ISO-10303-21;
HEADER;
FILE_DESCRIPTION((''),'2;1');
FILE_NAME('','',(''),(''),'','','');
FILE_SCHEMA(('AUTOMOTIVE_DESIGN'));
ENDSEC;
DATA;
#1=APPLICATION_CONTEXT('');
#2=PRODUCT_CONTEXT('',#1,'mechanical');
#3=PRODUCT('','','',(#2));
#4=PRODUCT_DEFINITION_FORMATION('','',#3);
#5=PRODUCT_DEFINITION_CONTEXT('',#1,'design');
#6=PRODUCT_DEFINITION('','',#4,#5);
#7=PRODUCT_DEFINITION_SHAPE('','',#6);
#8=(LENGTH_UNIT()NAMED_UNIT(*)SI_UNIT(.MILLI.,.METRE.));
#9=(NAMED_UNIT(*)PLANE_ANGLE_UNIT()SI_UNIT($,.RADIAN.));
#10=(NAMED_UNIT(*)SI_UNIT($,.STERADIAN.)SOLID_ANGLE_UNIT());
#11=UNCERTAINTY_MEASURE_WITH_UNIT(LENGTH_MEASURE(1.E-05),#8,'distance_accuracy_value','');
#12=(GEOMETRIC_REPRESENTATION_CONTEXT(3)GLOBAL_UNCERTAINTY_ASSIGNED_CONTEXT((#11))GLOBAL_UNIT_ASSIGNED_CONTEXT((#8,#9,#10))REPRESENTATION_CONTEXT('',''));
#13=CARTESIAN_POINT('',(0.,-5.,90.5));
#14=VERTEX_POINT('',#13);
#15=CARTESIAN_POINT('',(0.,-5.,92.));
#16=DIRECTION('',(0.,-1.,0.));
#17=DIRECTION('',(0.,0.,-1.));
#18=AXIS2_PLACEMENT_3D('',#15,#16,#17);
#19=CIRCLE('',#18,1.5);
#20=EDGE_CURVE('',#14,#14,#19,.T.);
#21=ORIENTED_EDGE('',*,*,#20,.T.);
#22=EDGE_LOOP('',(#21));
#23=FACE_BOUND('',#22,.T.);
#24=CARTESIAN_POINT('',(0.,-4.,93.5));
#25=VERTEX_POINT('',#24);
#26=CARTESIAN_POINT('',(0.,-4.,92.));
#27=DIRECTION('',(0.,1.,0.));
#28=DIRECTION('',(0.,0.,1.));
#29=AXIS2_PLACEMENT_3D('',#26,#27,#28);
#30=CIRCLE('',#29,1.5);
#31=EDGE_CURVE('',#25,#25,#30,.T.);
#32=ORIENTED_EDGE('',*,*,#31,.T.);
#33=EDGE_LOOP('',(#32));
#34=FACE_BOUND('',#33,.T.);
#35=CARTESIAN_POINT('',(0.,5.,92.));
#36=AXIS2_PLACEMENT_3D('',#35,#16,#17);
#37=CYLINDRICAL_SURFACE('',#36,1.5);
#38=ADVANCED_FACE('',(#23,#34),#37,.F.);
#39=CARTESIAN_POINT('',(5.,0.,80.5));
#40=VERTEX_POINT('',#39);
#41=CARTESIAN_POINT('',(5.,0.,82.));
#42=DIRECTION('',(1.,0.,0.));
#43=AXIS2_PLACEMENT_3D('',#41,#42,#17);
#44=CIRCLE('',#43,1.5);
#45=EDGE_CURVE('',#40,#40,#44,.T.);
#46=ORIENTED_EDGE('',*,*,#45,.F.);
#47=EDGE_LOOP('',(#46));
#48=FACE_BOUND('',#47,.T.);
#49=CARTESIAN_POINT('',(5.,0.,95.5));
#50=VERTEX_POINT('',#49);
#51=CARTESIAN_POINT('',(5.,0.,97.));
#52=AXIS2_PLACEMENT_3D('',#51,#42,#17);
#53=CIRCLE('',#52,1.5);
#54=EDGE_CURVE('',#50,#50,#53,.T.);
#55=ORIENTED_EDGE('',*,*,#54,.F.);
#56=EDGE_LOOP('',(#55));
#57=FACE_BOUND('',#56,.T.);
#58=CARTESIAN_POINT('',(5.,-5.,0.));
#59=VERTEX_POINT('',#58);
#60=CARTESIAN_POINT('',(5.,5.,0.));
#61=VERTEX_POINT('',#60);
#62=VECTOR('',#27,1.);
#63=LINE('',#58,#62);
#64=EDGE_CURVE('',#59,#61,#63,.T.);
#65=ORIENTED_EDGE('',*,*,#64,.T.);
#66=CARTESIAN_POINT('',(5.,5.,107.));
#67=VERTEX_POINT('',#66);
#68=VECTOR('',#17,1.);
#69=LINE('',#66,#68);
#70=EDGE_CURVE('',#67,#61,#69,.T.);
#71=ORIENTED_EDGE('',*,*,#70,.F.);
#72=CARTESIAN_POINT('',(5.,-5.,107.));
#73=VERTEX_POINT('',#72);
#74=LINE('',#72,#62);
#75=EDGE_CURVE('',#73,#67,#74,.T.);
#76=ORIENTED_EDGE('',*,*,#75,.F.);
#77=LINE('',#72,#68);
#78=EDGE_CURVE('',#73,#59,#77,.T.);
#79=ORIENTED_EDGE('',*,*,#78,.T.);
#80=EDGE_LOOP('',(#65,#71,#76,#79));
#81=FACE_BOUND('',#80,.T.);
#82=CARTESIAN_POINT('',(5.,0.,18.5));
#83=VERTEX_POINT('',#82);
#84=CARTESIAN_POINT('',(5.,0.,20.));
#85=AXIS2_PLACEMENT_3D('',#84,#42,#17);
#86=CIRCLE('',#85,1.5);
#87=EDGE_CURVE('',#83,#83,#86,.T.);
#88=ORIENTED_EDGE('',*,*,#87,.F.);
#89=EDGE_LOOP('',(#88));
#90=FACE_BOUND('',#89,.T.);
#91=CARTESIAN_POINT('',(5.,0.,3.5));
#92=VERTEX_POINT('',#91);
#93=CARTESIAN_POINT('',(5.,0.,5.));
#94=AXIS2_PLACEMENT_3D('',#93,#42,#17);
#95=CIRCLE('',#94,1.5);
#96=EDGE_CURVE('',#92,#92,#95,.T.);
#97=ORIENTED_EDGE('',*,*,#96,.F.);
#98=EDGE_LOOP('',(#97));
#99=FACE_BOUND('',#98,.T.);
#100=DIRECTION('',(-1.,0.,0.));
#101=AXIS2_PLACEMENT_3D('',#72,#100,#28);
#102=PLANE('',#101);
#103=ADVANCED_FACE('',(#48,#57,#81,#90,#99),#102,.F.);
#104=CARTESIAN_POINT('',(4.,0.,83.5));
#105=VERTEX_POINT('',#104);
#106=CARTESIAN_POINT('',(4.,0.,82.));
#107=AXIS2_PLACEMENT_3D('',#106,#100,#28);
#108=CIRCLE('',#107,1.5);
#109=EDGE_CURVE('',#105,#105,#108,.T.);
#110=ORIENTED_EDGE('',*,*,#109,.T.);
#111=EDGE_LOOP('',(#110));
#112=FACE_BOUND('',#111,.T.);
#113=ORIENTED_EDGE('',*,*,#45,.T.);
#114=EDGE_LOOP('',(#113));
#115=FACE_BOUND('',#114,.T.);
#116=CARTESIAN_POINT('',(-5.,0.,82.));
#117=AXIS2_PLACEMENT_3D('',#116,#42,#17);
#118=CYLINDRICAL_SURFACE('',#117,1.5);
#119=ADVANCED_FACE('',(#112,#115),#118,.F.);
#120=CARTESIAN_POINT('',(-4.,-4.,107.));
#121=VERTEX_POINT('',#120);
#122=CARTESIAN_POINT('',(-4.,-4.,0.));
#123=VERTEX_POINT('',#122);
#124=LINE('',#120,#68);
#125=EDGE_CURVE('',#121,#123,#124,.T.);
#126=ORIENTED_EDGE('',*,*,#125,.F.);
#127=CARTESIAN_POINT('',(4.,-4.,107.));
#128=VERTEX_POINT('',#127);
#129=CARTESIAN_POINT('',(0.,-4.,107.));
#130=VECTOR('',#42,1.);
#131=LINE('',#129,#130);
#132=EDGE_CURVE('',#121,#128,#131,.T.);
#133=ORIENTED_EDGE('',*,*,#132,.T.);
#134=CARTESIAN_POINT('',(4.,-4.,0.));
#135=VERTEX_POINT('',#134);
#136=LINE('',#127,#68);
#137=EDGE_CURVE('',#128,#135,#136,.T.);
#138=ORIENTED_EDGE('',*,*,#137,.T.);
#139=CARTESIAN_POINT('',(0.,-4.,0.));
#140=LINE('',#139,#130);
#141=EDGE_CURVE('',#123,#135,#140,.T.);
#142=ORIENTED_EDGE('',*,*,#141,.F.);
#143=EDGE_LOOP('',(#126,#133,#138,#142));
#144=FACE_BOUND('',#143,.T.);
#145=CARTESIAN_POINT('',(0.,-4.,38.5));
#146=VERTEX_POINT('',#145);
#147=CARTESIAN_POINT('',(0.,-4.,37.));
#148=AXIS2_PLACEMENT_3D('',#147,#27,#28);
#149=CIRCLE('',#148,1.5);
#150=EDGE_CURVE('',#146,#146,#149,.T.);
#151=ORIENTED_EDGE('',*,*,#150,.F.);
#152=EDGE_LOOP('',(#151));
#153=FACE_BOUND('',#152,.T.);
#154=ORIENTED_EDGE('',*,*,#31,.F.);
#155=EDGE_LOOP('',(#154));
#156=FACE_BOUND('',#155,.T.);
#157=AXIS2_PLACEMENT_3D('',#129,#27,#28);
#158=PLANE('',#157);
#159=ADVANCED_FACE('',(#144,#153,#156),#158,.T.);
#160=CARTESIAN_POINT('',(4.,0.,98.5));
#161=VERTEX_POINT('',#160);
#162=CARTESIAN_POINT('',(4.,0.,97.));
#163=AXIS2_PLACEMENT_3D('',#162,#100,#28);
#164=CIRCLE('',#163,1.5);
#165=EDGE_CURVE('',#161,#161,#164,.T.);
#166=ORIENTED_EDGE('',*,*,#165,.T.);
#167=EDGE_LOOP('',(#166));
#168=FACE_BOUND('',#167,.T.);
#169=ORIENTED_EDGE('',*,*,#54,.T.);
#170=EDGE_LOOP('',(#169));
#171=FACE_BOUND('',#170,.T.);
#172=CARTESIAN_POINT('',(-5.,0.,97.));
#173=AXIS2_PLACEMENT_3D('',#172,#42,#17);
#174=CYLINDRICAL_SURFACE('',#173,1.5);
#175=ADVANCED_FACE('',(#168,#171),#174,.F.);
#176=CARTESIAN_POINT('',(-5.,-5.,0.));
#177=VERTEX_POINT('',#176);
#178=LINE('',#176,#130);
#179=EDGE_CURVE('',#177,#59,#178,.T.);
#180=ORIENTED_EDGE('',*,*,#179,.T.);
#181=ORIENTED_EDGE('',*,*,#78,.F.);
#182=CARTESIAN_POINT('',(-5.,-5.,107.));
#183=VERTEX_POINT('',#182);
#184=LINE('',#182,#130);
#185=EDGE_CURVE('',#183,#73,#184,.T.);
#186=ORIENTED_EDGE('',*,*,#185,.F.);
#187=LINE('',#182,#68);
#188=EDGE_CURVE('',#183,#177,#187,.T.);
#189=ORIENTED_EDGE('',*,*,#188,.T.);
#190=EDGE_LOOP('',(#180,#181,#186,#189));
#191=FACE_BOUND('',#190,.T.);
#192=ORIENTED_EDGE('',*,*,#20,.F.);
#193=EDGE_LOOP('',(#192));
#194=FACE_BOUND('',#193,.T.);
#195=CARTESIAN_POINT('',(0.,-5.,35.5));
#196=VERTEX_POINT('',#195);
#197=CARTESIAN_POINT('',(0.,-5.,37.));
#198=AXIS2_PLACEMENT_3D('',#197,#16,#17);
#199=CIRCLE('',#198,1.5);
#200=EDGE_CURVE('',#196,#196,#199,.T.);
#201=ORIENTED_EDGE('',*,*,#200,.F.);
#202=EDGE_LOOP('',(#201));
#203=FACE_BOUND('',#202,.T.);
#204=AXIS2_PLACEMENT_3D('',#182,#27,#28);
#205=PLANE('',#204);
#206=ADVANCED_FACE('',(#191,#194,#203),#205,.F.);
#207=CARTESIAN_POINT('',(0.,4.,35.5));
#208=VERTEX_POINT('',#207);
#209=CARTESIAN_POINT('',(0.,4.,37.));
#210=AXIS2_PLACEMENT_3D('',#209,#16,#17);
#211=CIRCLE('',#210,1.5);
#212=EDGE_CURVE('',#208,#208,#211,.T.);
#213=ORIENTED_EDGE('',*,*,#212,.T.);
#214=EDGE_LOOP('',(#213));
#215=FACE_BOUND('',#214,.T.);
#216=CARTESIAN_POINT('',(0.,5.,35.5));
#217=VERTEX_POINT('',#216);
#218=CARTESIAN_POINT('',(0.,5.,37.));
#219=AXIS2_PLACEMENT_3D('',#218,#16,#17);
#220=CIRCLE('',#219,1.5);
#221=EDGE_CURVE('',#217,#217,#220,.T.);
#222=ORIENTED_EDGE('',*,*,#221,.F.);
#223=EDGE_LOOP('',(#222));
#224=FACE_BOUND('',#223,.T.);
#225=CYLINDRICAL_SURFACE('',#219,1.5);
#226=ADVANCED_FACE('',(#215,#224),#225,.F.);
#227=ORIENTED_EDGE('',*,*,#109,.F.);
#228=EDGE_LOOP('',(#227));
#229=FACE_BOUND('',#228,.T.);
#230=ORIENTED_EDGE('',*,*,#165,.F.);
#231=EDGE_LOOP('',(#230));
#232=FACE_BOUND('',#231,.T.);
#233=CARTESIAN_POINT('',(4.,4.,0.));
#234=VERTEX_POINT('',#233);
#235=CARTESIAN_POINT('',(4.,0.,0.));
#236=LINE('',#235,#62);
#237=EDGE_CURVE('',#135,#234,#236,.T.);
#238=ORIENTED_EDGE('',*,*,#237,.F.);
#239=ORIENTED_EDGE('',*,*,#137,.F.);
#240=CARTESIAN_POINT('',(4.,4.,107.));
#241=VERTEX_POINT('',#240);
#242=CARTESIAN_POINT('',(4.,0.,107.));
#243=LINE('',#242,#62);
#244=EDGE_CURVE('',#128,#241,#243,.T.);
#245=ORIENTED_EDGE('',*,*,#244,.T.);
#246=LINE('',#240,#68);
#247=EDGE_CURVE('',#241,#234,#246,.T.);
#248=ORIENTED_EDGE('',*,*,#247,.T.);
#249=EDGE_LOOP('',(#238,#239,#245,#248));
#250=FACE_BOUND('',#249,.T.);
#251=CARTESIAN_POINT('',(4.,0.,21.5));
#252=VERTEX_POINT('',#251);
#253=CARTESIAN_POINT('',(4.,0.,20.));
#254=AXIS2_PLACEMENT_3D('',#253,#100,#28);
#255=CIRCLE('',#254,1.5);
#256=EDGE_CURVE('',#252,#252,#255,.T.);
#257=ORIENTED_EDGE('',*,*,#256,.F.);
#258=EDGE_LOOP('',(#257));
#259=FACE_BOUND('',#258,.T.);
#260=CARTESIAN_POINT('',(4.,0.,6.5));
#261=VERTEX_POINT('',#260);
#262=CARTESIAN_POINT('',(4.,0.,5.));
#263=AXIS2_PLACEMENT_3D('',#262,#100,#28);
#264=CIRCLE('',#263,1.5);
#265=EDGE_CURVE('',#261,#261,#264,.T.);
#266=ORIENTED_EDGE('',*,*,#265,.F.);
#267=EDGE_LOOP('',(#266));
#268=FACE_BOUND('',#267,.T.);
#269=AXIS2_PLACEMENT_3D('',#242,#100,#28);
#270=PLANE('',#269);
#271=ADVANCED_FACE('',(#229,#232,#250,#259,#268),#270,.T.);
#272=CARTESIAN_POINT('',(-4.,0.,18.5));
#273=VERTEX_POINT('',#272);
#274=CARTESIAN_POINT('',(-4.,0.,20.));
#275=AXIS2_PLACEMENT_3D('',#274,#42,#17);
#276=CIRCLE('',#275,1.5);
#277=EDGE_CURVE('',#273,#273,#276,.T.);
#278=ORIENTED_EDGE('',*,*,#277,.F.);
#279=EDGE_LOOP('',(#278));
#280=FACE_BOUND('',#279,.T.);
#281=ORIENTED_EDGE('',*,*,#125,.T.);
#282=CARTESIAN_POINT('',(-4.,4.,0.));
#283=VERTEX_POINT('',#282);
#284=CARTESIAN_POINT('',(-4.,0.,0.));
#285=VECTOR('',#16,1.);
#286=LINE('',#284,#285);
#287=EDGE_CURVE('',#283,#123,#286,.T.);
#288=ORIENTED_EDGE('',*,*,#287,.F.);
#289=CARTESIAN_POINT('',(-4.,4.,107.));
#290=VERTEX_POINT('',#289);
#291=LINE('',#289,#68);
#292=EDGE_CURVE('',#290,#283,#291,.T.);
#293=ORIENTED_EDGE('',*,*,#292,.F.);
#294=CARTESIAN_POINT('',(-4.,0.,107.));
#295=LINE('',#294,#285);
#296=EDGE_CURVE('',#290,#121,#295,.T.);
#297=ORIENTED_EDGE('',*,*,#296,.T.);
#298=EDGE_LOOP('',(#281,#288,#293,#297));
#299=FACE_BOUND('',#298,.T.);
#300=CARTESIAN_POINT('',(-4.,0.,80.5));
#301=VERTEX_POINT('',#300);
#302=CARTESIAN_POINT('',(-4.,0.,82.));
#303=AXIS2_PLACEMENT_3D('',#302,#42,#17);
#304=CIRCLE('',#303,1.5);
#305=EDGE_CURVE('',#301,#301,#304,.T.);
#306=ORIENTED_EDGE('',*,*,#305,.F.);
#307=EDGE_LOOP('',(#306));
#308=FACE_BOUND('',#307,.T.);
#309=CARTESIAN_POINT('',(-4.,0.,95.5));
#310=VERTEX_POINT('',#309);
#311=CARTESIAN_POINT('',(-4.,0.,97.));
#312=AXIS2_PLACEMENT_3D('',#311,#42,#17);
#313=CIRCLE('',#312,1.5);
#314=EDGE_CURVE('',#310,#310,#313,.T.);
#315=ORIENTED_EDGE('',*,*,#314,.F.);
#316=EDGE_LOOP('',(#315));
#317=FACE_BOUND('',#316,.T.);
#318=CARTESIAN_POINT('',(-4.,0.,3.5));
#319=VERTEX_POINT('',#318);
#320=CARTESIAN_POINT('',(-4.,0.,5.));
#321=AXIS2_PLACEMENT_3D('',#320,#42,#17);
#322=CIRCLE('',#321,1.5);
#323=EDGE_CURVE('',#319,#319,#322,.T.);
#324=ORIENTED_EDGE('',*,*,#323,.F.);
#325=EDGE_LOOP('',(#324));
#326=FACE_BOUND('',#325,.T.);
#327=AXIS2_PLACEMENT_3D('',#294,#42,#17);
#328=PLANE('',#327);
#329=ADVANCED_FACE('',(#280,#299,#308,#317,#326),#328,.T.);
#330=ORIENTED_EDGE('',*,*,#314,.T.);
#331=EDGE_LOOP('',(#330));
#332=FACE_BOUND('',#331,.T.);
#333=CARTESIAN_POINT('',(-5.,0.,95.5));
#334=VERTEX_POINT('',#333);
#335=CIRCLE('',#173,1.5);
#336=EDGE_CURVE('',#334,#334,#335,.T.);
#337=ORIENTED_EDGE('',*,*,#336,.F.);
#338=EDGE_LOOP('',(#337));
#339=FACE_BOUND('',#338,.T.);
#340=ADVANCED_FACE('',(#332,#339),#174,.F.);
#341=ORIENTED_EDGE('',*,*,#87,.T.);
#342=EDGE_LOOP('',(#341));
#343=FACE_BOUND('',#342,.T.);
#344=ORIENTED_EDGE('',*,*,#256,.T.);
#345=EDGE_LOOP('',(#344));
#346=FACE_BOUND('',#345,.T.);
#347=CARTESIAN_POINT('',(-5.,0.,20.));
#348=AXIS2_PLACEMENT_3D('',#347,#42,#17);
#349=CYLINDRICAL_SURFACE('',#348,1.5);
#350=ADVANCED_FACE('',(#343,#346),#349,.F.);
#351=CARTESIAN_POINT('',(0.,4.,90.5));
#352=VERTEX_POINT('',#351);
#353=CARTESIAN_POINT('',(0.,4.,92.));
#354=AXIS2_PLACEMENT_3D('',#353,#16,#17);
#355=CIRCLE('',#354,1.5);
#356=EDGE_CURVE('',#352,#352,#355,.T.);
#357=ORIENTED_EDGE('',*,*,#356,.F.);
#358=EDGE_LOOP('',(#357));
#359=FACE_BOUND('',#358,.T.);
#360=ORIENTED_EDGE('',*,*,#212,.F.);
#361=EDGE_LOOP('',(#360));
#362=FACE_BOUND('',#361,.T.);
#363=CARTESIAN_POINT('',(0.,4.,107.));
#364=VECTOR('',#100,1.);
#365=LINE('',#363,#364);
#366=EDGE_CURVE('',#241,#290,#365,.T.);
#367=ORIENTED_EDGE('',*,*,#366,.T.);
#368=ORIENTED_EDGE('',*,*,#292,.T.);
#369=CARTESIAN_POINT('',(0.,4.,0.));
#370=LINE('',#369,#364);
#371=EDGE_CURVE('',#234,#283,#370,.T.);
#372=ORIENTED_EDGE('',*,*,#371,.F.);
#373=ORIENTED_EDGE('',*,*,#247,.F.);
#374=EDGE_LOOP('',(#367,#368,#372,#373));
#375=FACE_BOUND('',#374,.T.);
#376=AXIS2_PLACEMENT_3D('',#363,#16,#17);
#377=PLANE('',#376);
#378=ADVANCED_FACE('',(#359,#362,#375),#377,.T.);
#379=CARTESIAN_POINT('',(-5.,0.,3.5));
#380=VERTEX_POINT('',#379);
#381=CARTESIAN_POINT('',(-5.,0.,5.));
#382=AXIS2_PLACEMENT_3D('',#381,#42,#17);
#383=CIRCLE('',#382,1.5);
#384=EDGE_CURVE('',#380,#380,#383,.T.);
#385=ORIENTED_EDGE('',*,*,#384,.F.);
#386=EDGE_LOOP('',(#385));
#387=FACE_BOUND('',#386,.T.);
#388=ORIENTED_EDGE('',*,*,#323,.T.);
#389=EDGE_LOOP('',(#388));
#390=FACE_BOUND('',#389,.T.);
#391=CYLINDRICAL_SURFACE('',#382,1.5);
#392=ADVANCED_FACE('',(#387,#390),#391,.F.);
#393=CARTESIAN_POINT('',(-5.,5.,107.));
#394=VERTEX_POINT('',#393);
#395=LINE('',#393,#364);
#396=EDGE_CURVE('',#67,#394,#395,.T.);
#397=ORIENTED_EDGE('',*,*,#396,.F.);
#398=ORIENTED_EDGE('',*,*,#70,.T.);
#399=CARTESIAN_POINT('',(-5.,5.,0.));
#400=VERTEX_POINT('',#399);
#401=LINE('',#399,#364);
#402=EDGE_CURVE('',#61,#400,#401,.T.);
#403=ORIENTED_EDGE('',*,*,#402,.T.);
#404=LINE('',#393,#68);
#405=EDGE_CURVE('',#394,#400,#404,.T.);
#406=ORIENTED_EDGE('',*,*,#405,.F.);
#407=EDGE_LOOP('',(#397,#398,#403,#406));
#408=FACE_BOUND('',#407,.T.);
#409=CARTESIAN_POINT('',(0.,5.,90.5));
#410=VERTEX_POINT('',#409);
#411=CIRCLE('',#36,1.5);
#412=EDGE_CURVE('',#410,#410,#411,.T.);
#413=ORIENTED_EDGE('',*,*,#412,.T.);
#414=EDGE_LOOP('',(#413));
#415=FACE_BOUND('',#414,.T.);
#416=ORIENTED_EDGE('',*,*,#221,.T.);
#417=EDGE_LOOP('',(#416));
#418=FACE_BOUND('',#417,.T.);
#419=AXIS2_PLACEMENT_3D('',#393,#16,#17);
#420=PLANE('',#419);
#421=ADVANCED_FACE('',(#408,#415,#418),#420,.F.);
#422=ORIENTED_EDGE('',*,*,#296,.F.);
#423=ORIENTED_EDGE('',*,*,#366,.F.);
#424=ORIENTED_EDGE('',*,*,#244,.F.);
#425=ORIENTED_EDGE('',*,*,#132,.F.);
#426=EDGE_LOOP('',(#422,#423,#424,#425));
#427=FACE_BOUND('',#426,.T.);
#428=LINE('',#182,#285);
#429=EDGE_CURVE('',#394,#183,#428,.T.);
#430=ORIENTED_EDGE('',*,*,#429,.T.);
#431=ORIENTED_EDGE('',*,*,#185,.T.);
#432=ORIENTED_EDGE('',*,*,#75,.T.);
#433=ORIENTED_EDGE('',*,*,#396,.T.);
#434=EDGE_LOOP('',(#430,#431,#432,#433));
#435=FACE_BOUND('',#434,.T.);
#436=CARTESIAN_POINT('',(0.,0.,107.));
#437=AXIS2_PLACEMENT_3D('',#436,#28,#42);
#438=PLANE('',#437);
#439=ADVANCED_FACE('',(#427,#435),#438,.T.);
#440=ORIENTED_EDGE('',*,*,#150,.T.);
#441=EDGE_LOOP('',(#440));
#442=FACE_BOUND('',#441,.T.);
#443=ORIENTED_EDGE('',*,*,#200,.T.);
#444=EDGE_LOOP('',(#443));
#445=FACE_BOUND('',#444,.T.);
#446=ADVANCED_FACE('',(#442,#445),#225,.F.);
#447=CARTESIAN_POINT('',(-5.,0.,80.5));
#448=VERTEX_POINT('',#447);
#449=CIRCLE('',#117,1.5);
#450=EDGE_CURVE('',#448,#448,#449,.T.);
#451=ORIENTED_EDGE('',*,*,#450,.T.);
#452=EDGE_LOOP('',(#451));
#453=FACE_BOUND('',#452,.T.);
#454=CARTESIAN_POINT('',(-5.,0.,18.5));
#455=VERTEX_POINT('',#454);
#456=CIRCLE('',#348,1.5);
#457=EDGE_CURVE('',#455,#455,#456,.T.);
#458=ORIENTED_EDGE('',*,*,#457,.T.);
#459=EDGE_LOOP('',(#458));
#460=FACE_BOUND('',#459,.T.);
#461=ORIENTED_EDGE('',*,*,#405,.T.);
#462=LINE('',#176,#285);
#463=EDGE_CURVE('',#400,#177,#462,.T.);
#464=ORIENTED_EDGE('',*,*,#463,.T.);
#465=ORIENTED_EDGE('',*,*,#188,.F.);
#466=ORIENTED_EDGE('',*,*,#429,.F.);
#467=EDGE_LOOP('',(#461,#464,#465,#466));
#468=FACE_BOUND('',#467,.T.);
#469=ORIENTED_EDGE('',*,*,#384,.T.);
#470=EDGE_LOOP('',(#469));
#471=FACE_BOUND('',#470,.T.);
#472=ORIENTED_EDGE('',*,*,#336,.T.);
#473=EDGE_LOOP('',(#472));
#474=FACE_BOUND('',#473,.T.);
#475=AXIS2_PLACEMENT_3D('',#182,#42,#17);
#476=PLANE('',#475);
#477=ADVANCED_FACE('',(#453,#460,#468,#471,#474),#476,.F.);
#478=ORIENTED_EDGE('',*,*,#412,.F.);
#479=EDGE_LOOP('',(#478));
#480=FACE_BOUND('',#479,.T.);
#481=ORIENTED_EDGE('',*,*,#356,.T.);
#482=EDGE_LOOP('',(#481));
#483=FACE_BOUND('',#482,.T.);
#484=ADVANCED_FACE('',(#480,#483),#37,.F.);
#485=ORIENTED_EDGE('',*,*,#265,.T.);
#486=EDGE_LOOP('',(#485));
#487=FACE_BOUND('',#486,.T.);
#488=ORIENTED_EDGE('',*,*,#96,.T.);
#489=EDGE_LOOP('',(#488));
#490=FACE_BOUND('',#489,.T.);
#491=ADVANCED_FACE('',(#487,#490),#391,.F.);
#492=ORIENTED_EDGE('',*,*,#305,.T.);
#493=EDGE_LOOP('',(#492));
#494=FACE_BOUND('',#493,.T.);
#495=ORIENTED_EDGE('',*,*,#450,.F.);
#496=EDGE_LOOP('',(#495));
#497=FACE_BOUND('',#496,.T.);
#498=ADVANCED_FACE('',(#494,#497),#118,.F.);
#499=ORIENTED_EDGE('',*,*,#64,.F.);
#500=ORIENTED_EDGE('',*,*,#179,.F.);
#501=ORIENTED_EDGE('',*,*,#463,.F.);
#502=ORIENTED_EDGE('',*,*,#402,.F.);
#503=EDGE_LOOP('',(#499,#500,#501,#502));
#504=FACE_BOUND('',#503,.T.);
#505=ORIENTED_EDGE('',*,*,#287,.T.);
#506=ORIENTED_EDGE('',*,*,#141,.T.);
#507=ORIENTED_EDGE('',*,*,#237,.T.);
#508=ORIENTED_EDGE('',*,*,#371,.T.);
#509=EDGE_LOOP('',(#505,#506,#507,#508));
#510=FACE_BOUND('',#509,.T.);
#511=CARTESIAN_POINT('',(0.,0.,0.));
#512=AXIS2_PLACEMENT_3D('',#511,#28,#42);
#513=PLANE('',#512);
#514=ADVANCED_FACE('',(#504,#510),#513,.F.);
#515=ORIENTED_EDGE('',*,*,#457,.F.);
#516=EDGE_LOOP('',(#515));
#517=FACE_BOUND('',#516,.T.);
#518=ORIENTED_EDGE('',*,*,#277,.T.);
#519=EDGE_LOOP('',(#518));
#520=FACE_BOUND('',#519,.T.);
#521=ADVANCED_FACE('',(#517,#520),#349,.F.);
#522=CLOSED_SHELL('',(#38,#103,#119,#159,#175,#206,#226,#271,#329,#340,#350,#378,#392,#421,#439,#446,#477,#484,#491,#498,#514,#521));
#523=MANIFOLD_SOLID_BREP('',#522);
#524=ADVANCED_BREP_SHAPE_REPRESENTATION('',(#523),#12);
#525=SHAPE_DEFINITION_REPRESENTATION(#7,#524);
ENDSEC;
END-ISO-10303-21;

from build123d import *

# Parameters (mm, degrees)
SKETCH_1_W          = 10
SKETCH_1_H          = 10
SKETCH_1_W_2        = 8
SKETCH_1_H_2        = 8
EXTRUDE_1_DEPTH     = 107
SKETCH_2_R          = 1.5
CUT_EXTRUDE_1_DEPTH = 11
SKETCH_3_R          = 1.5
CUT_EXTRUDE_2_DEPTH = 10


with BuildPart() as part:
    # 草图1 → 拉伸-薄壁1 (new body)
    with BuildSketch(Plane.XY):
        Rectangle(SKETCH_1_W, SKETCH_1_H)
        Rectangle(SKETCH_1_W_2, SKETCH_1_H_2, mode=Mode.SUBTRACT)
    extrude(amount=EXTRUDE_1_DEPTH)

    # 草图2 → 切除-拉伸1 (cut, through all)
    with BuildSketch(Plane(origin=(5, 0, 0), x_dir=(0, 0, -1), z_dir=(1, 0, 0))):
        with Locations((-5, 0)):
            Circle(SKETCH_2_R)
        with Locations((-20, 0)):
            Circle(SKETCH_2_R)
        with Locations((-97, 0)):
            Circle(SKETCH_2_R)
        with Locations((-82, 0)):
            Circle(SKETCH_2_R)
    extrude(amount=-CUT_EXTRUDE_1_DEPTH, mode=Mode.SUBTRACT)

    # 草图3 → 切除-拉伸2 (cut)
    with BuildSketch(Plane.XZ.offset(5)):
        with Locations((0, 92)):
            Circle(SKETCH_3_R)
        with Locations((0, 37)):
            Circle(SKETCH_3_R)
    extrude(amount=-CUT_EXTRUDE_2_DEPTH, mode=Mode.SUBTRACT)


solid = part.part
